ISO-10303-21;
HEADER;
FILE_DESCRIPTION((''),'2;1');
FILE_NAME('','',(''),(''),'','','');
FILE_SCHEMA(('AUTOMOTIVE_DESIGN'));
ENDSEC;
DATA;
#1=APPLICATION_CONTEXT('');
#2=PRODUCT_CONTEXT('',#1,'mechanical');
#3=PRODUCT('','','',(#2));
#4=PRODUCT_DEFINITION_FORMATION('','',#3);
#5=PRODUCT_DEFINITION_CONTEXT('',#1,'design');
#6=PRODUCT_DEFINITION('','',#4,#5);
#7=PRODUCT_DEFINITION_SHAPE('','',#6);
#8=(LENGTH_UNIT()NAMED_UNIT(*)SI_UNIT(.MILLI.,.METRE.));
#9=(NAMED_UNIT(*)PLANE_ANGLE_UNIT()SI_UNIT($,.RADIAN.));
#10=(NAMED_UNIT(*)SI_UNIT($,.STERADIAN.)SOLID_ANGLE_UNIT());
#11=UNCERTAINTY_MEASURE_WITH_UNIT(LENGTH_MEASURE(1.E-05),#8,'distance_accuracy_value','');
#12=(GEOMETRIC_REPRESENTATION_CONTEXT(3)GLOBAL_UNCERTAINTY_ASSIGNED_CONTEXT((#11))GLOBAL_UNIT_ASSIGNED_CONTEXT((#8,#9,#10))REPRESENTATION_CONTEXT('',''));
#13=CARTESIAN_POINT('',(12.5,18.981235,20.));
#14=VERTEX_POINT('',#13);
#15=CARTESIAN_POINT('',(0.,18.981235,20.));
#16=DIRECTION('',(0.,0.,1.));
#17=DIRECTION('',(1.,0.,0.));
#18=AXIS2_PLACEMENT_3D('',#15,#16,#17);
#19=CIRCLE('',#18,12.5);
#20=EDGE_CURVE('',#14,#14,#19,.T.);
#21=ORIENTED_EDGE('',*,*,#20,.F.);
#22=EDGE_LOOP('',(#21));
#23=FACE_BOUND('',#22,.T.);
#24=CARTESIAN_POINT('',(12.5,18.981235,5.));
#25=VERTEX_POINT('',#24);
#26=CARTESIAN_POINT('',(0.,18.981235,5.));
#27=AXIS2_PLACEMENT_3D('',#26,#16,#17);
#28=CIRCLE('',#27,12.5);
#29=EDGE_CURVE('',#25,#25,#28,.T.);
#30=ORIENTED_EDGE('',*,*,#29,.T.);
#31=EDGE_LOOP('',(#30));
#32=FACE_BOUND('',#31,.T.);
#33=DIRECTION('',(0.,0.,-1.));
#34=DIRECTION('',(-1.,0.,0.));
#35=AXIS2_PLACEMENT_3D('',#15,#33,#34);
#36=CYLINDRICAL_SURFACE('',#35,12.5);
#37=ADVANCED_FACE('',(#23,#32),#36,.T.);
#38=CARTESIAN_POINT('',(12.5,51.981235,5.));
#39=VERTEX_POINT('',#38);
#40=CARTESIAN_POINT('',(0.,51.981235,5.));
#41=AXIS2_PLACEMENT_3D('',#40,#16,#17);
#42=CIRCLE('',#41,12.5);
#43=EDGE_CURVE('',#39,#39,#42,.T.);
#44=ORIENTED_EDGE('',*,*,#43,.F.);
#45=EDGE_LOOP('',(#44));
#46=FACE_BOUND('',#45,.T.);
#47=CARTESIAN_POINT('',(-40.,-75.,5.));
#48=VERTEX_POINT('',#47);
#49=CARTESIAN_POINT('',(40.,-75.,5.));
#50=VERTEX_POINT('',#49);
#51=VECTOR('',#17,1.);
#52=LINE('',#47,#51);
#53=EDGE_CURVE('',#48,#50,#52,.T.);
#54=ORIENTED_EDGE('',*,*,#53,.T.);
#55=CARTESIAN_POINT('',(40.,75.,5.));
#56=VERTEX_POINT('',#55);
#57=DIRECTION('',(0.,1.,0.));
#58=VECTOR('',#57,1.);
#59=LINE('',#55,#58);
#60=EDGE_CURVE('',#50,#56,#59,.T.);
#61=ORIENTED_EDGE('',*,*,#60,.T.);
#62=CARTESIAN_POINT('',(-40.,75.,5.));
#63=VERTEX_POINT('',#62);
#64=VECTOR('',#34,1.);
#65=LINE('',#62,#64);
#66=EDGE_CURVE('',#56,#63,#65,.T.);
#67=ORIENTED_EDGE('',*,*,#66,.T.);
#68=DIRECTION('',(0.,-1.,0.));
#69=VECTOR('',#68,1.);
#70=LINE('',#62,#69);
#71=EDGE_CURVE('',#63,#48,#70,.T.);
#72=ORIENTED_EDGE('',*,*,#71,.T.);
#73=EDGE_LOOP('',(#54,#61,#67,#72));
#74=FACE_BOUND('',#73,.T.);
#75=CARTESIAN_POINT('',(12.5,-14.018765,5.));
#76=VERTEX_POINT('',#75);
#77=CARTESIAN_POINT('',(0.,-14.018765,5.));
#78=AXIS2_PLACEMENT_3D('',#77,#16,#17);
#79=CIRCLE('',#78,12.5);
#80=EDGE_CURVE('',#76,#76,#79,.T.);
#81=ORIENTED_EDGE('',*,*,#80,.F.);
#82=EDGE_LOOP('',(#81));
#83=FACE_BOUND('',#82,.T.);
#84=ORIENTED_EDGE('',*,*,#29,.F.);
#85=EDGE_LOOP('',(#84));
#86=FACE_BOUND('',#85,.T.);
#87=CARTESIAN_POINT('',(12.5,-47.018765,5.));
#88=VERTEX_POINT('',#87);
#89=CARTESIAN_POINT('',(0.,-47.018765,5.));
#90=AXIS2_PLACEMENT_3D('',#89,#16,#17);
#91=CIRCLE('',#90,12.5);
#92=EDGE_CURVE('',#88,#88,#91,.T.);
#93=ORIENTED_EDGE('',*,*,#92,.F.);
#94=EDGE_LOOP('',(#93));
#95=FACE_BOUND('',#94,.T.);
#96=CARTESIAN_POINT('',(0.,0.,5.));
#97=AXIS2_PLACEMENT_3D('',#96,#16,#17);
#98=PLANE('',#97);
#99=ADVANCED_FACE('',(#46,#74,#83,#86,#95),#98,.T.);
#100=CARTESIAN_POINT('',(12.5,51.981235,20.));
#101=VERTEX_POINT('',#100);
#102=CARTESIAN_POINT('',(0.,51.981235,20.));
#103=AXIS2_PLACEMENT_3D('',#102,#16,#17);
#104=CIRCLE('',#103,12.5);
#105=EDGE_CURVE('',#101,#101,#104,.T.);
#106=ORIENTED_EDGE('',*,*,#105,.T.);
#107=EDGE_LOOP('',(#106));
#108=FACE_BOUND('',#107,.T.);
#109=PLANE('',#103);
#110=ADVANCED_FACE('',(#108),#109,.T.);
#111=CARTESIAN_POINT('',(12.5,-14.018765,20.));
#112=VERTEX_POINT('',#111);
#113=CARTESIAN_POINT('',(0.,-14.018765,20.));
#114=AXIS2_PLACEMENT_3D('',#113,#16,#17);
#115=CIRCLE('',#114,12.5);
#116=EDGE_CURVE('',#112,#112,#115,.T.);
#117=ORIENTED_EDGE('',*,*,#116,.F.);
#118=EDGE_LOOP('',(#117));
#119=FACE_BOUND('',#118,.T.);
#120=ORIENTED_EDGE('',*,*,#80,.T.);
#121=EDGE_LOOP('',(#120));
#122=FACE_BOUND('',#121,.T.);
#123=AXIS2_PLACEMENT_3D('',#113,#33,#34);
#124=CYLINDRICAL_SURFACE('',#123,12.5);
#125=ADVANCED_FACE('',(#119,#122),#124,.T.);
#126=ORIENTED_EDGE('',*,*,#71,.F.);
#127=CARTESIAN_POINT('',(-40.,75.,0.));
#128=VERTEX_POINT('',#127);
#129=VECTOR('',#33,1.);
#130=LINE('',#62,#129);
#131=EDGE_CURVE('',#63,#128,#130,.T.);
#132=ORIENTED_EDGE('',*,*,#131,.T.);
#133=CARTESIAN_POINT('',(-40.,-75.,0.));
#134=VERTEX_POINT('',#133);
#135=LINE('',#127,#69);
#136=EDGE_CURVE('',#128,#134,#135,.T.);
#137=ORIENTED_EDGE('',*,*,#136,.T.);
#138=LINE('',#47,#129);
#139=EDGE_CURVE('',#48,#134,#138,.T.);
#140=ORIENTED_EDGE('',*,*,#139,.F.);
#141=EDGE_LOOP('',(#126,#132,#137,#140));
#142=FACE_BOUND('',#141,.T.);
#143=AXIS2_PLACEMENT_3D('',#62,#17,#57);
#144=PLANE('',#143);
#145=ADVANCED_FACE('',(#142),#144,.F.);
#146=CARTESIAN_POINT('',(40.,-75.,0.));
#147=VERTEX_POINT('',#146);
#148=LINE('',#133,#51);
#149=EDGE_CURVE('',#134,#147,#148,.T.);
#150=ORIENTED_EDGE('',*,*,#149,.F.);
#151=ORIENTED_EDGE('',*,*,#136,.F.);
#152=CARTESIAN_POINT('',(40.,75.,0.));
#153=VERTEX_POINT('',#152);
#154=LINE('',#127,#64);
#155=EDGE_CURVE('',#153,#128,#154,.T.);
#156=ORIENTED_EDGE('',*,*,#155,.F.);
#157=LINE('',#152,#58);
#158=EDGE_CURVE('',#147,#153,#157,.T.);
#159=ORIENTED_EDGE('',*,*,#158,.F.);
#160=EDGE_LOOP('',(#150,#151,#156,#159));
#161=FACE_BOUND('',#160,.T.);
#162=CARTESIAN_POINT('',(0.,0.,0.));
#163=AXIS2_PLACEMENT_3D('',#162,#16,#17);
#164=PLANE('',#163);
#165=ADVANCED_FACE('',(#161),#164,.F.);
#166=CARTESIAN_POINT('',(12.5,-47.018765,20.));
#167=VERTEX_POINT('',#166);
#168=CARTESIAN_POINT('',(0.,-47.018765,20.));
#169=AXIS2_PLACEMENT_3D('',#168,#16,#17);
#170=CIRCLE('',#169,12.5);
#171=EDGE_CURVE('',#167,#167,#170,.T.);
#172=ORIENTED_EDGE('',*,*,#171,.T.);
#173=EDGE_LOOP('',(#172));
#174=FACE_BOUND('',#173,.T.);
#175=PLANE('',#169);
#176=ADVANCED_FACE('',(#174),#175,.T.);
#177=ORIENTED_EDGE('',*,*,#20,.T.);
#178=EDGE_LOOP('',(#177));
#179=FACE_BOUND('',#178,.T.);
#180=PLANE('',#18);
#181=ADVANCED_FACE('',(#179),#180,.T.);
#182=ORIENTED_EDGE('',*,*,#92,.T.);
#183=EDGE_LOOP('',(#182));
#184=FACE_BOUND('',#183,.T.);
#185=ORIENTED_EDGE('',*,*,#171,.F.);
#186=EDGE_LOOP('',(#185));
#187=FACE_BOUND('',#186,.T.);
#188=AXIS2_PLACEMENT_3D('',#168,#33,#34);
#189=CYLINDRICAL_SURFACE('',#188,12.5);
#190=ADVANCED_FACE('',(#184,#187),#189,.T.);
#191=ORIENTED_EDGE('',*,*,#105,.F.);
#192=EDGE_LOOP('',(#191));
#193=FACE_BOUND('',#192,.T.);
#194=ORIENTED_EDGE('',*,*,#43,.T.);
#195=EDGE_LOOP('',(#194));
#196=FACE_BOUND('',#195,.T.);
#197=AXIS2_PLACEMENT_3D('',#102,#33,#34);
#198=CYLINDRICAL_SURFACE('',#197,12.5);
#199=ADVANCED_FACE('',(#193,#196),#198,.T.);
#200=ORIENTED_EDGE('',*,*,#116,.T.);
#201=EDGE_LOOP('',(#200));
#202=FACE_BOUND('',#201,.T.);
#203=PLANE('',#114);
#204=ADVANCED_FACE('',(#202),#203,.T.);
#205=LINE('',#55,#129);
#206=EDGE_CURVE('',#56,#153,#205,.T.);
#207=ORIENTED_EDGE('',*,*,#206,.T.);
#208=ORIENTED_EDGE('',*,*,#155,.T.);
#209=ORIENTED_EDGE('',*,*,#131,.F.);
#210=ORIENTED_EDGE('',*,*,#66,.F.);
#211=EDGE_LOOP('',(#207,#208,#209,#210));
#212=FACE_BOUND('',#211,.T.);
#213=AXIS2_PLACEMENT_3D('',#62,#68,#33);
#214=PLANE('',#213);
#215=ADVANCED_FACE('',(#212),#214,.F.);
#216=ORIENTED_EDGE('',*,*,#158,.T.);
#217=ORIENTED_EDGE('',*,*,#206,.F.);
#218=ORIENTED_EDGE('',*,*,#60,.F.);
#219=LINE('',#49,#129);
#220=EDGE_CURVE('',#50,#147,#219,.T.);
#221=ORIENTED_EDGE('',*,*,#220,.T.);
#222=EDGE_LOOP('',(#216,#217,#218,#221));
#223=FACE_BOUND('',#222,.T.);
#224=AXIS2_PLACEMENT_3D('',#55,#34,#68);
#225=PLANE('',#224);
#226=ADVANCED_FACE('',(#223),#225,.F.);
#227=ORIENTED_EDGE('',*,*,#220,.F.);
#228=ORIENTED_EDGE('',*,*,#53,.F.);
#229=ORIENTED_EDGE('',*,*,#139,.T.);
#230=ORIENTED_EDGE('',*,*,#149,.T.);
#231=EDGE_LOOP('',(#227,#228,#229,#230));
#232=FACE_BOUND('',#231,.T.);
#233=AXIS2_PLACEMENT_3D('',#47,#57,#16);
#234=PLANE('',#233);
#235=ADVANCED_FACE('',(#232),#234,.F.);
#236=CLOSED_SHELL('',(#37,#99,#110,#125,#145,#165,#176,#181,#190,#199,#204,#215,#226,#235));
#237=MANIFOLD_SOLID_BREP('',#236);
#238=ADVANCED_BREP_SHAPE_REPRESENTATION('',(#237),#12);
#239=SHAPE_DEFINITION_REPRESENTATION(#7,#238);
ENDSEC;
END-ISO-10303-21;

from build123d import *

# Parameters (mm, degrees)
SKETCH1_W           = 80
SKETCH1_H           = 150
BOSS_EXTRUDE1_DEPTH = 5
SKETCH2_R           = 12.5
BOSS_EXTRUDE2_DEPTH = 15


with BuildPart() as part:
    # Sketch1 → Boss-Extrude1 (new body)
    with BuildSketch(Plane.XY):
        Rectangle(SKETCH1_W, SKETCH1_H)
    extrude(amount=BOSS_EXTRUDE1_DEPTH)

    # Sketch2 → Boss-Extrude2 (add)
    with BuildSketch(Plane.XY.offset(5)):
        with Locations((0, 51.981235166)):
            Circle(SKETCH2_R)
        with Locations((0, 18.981235166)):
            Circle(SKETCH2_R)
        with Locations((0, -14.018764834)):
            Circle(SKETCH2_R)
        with Locations((0, -47.018764834)):
            Circle(SKETCH2_R)
    extrude(amount=BOSS_EXTRUDE2_DEPTH)


solid = part.part
